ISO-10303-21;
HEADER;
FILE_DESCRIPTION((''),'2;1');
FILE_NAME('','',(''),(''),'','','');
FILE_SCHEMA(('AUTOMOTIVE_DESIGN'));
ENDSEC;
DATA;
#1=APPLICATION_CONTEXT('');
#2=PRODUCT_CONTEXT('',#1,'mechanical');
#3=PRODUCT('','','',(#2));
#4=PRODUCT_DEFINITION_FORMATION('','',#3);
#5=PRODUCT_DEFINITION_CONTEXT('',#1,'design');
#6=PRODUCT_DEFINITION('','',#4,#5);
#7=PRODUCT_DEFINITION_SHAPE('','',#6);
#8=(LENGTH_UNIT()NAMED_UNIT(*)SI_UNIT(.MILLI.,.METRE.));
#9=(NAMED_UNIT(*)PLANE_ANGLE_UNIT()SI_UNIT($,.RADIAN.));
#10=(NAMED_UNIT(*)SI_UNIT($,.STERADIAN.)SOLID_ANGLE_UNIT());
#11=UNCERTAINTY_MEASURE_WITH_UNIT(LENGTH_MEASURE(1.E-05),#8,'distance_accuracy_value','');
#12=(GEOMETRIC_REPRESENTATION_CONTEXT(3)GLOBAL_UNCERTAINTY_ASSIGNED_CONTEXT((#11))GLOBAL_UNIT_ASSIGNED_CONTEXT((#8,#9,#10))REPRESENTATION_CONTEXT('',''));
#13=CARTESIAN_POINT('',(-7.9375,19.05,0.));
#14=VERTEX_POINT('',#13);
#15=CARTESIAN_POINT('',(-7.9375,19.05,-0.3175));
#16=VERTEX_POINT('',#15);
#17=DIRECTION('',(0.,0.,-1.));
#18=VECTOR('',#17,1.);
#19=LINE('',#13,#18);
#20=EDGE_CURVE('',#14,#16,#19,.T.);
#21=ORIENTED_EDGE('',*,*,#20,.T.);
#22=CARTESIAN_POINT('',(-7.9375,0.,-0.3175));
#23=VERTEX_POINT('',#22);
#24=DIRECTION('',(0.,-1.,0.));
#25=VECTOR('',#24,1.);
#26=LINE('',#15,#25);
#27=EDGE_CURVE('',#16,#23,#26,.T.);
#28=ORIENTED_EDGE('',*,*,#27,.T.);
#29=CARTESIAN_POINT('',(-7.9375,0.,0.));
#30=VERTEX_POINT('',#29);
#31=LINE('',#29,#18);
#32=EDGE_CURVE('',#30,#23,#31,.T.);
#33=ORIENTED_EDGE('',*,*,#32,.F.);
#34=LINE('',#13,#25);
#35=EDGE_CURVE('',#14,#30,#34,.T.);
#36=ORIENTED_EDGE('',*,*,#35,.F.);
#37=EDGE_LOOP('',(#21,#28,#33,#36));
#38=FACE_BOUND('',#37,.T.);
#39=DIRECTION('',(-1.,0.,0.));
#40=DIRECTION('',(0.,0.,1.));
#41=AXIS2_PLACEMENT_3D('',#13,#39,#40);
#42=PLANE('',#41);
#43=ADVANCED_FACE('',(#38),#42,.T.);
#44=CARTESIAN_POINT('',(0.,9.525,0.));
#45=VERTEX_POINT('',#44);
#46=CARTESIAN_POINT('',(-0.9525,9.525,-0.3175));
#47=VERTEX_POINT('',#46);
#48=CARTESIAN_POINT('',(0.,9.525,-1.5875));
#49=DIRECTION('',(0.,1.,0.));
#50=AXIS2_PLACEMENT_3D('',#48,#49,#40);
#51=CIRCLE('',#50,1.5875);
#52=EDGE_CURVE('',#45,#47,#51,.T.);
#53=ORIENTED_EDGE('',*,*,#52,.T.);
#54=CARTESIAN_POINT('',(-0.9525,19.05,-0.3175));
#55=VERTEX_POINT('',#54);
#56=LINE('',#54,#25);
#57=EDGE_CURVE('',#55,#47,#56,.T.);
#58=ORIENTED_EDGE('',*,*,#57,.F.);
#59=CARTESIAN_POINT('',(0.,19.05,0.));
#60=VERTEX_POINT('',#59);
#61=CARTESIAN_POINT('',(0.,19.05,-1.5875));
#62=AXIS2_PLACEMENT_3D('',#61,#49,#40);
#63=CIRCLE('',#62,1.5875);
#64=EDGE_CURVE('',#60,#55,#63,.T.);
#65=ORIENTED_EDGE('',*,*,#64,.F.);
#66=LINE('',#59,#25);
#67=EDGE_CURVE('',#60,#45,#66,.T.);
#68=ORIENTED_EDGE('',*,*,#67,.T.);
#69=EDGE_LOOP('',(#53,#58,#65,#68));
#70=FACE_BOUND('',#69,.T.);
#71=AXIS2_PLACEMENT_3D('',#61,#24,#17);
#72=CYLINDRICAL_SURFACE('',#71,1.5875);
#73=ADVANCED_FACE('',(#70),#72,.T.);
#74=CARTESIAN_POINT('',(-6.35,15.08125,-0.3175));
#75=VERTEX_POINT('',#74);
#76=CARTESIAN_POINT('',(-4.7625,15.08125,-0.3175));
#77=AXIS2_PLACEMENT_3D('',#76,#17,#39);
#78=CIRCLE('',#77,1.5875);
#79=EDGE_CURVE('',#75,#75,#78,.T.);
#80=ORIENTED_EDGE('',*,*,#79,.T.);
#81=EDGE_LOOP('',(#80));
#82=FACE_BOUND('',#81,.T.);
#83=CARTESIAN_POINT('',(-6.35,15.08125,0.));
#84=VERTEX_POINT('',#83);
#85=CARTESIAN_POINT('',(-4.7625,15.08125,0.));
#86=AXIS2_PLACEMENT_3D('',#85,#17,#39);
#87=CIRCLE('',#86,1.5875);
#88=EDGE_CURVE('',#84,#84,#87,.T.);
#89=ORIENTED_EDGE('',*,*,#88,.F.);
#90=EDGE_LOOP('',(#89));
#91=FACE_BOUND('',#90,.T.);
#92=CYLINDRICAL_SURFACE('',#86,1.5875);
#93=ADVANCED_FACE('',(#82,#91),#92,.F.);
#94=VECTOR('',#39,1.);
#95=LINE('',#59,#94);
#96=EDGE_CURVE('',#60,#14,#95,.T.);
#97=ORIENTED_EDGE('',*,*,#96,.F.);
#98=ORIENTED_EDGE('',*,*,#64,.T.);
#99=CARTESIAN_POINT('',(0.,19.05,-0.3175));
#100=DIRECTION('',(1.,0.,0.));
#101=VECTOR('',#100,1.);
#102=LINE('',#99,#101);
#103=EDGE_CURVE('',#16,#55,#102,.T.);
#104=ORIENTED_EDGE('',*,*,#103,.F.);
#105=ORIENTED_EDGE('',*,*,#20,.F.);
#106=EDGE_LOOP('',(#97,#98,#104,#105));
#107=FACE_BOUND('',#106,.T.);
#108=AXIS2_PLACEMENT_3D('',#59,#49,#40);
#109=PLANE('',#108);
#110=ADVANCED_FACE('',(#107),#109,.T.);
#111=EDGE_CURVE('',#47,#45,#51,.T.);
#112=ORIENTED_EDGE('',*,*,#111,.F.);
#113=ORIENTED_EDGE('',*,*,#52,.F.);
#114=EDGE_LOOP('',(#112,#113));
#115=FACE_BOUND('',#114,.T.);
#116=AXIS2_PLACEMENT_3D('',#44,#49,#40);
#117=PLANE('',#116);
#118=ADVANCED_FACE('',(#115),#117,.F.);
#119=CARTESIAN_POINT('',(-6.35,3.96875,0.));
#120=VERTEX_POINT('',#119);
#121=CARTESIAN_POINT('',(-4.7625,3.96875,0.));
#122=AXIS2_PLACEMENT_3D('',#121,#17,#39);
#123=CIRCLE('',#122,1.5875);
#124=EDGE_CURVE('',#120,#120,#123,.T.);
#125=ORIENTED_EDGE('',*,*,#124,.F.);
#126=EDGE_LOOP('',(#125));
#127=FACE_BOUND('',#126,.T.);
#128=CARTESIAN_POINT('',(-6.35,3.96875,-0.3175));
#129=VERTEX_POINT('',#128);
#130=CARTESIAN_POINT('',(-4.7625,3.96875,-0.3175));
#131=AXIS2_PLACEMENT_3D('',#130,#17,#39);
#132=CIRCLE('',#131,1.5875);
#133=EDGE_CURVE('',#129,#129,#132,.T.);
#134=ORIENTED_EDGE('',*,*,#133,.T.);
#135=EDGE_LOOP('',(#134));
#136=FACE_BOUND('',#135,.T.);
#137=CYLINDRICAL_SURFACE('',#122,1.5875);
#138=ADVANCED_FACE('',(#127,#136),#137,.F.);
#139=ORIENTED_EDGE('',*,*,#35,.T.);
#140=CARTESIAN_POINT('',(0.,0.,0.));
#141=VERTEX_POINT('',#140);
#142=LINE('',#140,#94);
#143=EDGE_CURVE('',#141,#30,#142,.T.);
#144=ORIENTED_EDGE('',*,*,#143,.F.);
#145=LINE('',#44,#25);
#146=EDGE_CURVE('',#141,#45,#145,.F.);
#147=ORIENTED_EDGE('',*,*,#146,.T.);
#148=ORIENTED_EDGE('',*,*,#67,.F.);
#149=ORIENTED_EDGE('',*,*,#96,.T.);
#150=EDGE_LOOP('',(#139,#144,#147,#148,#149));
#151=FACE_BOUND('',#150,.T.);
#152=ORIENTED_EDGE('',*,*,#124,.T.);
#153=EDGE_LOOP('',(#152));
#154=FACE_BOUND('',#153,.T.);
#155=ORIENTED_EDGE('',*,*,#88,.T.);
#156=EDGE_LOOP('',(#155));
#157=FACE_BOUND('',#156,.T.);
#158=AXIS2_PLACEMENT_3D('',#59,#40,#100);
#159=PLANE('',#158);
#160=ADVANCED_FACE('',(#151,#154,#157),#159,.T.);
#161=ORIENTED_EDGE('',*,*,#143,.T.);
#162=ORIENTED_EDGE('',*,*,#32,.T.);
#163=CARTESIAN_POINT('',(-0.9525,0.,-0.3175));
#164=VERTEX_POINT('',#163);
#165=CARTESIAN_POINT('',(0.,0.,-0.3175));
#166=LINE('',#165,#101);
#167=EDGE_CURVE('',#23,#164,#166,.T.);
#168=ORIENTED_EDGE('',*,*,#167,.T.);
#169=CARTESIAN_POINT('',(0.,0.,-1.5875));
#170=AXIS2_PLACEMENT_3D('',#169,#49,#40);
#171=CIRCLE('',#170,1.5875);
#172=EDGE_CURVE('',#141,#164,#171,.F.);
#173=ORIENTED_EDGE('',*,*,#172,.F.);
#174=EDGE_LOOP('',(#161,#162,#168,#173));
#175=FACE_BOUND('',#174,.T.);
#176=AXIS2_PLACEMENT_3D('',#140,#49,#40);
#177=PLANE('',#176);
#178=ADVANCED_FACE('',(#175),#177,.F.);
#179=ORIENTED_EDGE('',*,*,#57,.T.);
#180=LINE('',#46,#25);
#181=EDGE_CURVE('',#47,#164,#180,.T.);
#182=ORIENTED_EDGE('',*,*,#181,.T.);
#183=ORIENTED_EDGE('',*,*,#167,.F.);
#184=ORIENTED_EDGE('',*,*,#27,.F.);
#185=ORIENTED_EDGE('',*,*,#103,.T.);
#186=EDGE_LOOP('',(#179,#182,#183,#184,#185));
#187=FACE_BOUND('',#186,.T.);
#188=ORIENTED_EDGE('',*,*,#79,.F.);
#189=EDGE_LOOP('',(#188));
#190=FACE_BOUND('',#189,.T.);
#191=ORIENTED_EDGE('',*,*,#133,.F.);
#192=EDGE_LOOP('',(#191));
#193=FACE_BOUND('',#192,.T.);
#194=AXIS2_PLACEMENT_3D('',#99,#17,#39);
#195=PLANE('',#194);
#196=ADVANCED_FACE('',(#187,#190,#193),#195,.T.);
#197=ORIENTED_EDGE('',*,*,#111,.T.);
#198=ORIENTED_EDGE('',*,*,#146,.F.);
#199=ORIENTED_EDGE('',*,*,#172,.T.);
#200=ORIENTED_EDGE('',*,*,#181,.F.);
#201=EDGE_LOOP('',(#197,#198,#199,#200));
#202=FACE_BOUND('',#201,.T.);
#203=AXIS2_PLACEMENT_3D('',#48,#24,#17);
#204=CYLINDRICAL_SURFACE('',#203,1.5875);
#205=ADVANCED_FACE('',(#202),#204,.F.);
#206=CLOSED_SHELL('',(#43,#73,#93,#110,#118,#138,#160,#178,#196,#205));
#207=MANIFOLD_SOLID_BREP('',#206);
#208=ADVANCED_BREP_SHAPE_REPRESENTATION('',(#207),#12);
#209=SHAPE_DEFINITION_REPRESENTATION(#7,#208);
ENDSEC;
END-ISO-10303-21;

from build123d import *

# Parameters (mm, degrees)
BOSS_EXTRUDE1_DEPTH = 19.05
SKETCH1_4_R         = 1.5875
CUT_EXTRUDE2_DEPTH  = 9.525
SKETCH2_R           = 1.5875
CUT_EXTRUDE3_DEPTH  = 21.83438774


with BuildPart() as part:
    # Sketch1 → Boss-Extrude1 (new body)
    with BuildSketch(Plane(origin=(0, 0, 0), x_dir=(1, 0, 0), z_dir=(0, 1, 0))):
        with BuildLine():
            Line((-0.9525, 0.3175), (-7.9375, 0.3175))
            Line((-7.9375, 0.3175), (-7.9375, 0))
            Line((-7.9375, 0), (0, 0))
            ThreePointArc((0, 0), (0.502011579, 3.093534736), (-0.9525, 0.3175))
        make_face()
    extrude(amount=BOSS_EXTRUDE1_DEPTH)

    # Sketch1<4> → Cut-Extrude2 (cut)
    with BuildSketch(Plane(origin=(0, 0, 0), x_dir=(1, 0, 0), z_dir=(0, 1, 0))):
        with Locations((0, 1.5875)):
            Circle(SKETCH1_4_R)
    extrude(amount=CUT_EXTRUDE2_DEPTH, mode=Mode.SUBTRACT)

    # Sketch2 → Cut-Extrude3 (cut, through all)
    with BuildSketch(Plane(origin=(0, 0, -0.3175), x_dir=(-1, 0, 0), z_dir=(0, 0, -1))):
        with Locations((4.7625, 15.08125)):
            Circle(SKETCH2_R)
        with Locations((4.7625, 3.96875)):
            Circle(SKETCH2_R)
    extrude(amount=-CUT_EXTRUDE3_DEPTH, mode=Mode.SUBTRACT)


solid = part.part
